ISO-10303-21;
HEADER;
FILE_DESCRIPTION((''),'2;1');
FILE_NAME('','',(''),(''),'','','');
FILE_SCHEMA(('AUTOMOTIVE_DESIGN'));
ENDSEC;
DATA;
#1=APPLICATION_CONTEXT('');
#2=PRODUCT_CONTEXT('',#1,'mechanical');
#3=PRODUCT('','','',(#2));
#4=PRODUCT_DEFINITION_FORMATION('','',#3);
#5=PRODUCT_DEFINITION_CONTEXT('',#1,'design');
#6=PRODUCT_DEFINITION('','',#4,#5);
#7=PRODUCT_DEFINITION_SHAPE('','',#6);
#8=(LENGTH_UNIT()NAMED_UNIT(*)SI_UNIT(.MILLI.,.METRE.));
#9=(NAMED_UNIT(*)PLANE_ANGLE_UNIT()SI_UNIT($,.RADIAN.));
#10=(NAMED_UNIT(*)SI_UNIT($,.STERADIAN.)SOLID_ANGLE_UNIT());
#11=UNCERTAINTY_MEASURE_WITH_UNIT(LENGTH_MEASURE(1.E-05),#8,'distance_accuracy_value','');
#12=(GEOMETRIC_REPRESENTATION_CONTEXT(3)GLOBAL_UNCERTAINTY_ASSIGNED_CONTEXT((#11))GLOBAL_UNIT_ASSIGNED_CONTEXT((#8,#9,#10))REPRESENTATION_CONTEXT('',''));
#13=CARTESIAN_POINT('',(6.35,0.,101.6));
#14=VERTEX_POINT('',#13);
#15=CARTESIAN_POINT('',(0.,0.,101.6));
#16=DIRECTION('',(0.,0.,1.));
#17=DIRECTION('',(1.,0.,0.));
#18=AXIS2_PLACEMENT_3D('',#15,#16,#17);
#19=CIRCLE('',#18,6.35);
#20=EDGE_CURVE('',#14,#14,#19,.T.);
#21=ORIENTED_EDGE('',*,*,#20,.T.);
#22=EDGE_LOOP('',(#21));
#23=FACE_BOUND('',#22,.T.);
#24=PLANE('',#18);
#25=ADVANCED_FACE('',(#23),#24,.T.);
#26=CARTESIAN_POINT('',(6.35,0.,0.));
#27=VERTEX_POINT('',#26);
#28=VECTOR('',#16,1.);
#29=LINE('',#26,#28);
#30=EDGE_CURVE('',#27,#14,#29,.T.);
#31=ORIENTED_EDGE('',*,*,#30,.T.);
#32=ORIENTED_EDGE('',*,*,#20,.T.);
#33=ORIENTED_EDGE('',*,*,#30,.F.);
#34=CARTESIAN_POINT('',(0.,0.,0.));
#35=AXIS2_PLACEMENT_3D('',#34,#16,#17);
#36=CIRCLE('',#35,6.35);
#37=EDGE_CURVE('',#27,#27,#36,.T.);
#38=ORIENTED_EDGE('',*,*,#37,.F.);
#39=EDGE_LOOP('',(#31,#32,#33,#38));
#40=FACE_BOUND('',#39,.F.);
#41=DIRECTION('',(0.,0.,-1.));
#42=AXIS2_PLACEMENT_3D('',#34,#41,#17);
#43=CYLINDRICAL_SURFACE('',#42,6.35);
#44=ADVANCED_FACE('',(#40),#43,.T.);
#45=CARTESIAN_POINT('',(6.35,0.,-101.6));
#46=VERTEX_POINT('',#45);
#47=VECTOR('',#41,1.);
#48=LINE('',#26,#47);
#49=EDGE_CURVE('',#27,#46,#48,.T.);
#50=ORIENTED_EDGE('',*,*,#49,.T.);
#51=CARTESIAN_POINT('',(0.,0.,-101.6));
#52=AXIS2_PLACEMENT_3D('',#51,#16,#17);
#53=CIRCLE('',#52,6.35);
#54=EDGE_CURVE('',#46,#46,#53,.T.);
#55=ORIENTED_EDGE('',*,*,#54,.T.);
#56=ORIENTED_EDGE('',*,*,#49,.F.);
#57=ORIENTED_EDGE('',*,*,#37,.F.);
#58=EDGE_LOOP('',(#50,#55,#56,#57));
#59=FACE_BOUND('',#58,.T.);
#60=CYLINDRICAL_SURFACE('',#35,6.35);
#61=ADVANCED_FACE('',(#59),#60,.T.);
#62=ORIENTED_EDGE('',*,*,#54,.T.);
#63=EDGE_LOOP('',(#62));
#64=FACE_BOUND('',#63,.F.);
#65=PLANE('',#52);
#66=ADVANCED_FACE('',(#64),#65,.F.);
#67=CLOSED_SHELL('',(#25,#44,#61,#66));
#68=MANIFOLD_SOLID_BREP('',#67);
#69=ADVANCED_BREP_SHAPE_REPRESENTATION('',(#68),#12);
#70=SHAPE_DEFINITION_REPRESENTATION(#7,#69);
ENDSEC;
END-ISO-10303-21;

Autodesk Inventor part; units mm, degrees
ref_plane "YZ Plane" through (0, 0, 0) normal (1, 0, 0) x (0, 1, 0)
ref_plane "XZ Plane" through (0, 0, 0) normal (0, 1, 0) x (-1, 0, 0)
sketch "Sketch1" plane through (0, 0, 0) normal (0, 0, 1) x (1, 0, 0)
  circle A0 centre (0, 0) radius 6.35
  dimension "d0" = 12.7
extrude "Extrusion1" add sketch "Sketch1" along normal mid plane 203.2
properties part number "1_2_inchShaftForArm" material "Aluminum 6061"
